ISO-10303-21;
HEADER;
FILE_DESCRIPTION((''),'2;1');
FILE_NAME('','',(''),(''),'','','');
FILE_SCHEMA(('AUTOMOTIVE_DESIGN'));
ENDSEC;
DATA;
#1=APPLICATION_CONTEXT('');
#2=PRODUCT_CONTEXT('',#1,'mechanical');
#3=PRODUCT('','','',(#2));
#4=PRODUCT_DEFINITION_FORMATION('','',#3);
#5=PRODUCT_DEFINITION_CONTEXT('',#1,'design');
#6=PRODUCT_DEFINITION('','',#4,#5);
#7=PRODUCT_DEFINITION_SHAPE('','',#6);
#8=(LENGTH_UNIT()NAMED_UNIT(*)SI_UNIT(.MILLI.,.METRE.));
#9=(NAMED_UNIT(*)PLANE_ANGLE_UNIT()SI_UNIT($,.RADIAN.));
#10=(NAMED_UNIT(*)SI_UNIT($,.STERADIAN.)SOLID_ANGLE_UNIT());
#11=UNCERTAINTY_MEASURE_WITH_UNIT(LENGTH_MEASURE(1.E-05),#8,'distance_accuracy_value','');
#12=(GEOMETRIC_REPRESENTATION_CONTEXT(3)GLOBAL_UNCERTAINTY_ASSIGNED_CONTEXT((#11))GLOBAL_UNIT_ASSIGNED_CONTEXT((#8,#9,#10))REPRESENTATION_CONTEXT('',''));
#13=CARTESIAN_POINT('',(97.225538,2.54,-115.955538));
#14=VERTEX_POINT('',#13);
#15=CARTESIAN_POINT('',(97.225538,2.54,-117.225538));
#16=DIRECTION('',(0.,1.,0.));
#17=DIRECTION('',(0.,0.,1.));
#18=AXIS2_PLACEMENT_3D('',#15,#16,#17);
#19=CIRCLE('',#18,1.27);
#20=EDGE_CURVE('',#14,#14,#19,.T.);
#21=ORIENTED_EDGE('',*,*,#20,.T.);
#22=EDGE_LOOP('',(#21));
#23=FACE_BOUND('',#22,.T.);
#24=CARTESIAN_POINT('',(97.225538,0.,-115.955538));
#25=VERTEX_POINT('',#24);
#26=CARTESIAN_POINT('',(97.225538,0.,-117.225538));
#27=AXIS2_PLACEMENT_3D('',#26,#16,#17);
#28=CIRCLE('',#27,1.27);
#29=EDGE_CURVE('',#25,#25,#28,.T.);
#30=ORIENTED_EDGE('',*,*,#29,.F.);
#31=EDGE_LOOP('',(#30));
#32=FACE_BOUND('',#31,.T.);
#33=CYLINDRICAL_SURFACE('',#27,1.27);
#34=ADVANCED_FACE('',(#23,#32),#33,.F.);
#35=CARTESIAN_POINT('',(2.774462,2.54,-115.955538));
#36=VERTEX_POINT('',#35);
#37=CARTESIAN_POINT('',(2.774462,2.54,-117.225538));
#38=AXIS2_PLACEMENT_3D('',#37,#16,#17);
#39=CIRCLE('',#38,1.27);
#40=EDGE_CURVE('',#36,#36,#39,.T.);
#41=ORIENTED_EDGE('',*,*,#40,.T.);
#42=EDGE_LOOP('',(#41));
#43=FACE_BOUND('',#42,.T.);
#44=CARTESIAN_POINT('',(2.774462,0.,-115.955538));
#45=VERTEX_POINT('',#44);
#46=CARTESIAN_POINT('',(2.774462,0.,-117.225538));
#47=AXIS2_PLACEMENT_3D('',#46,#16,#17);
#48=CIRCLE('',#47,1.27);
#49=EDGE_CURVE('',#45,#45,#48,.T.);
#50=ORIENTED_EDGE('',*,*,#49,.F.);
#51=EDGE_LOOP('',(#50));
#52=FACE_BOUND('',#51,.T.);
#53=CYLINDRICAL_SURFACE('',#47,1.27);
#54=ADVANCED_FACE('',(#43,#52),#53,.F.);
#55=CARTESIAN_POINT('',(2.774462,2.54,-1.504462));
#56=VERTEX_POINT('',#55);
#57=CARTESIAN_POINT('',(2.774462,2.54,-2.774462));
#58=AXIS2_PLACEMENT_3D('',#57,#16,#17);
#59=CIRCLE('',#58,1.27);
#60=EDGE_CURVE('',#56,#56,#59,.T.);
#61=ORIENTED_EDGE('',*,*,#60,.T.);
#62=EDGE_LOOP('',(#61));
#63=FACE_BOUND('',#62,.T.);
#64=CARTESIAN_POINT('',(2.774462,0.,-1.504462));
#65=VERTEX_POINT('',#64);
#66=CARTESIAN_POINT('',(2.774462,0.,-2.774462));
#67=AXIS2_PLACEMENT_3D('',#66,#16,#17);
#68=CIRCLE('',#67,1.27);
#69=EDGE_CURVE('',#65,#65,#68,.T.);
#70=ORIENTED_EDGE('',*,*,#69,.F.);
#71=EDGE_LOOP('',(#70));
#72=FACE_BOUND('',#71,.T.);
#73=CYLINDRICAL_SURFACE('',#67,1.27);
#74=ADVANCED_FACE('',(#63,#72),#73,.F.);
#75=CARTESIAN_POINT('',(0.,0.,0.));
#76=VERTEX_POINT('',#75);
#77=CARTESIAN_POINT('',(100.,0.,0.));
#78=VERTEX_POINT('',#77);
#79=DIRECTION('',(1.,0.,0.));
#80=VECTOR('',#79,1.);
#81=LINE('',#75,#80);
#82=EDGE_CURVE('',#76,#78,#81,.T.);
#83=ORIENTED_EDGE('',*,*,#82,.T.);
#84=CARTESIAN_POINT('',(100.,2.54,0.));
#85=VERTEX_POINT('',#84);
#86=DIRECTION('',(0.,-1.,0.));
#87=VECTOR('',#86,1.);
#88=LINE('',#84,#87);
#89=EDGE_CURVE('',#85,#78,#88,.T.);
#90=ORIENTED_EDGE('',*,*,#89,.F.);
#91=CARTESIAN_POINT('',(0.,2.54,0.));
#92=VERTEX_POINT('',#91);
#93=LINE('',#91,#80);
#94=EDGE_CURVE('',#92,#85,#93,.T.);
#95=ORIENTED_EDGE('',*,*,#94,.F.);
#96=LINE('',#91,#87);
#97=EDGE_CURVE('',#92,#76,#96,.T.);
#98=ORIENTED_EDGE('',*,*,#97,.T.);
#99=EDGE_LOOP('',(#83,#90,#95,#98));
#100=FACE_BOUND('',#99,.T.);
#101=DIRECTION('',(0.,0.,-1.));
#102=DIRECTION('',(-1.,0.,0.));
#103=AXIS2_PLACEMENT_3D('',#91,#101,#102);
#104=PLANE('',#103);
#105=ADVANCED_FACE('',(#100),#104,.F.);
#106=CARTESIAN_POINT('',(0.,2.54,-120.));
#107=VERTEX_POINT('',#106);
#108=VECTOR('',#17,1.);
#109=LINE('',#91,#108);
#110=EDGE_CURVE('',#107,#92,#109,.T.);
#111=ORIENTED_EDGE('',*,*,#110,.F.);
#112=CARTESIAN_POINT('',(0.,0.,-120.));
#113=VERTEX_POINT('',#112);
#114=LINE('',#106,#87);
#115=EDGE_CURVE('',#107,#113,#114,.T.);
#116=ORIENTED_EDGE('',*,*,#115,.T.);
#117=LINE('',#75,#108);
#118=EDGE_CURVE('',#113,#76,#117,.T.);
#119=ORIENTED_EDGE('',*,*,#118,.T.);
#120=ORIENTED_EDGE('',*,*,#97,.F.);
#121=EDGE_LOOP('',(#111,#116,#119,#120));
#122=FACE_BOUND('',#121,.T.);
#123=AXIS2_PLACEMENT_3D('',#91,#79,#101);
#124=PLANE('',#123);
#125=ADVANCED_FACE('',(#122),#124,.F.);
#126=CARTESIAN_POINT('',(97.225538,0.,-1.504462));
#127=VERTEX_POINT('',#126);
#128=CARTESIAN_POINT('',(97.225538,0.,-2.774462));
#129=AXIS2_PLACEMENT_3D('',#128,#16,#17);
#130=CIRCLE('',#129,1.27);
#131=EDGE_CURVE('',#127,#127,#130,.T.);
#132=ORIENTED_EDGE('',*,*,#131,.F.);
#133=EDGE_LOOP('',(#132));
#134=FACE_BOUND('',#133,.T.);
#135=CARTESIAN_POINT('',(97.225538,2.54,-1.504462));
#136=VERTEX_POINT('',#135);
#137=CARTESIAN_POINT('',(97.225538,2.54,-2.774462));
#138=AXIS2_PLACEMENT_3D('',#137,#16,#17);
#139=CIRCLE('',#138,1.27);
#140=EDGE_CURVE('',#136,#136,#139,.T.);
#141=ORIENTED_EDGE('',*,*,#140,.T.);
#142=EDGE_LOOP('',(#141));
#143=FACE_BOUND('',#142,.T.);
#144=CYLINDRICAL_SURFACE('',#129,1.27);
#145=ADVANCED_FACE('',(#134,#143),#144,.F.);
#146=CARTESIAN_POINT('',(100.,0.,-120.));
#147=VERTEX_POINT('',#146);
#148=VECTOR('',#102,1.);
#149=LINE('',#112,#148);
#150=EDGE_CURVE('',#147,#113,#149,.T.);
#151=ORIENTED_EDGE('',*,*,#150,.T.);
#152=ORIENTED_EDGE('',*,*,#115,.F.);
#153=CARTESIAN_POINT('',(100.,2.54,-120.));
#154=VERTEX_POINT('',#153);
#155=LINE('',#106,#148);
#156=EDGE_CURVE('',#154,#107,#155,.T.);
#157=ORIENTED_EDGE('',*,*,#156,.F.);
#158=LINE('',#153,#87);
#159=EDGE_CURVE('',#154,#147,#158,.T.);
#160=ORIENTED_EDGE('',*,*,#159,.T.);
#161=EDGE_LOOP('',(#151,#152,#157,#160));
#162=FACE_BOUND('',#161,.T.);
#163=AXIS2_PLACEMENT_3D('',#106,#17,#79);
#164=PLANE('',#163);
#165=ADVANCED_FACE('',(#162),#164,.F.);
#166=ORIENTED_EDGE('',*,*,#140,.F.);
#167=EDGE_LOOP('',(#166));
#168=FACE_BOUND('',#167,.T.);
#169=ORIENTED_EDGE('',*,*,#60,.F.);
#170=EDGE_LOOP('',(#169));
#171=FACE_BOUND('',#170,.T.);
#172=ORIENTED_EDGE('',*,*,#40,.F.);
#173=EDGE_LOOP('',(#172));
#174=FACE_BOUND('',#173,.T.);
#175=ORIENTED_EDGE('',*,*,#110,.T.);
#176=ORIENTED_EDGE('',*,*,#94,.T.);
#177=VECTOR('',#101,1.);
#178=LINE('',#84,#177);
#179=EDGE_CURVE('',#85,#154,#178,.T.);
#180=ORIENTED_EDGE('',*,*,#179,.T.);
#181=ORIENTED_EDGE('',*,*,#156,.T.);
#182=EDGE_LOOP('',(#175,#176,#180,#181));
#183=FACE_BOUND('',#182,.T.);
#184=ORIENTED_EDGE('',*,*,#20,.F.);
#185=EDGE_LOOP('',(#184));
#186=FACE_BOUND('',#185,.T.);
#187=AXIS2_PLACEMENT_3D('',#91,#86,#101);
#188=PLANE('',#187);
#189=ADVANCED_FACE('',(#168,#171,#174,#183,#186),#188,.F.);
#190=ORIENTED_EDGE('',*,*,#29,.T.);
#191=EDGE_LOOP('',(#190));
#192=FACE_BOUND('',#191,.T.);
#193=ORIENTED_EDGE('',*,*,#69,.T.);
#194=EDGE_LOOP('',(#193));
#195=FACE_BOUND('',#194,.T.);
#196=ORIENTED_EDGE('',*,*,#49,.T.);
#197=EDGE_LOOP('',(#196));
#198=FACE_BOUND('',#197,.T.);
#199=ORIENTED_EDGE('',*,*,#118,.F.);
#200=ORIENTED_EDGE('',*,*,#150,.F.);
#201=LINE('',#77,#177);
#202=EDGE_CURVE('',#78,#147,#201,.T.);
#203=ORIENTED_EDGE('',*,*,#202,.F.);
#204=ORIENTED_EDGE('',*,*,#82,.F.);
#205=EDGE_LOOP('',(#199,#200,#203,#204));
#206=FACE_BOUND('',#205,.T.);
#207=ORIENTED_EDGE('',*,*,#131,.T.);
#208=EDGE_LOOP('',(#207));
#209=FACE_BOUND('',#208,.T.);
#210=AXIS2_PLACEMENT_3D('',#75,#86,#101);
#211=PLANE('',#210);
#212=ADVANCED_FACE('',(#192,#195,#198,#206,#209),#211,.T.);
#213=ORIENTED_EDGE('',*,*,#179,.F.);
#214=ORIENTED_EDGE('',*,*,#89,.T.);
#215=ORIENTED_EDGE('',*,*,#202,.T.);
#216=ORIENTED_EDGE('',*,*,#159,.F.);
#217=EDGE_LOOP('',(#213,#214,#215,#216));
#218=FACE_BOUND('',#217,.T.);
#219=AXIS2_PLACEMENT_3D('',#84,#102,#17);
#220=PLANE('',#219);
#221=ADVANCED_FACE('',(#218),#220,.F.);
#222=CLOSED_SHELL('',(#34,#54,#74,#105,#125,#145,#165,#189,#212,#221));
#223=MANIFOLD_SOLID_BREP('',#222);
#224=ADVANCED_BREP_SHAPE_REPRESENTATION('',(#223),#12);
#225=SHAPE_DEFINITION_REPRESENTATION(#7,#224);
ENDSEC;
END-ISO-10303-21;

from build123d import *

# Parameters (mm, degrees)
SKETCH1_W           = 100
SKETCH1_H           = 120
BOSS_EXTRUDE1_DEPTH = 2.54
SKETCH2_R           = 1.27
CUT_EXTRUDE1_DEPTH  = 3.54


with BuildPart() as part:
    # Sketch1 → Boss-Extrude1 (new body)
    with BuildSketch(Plane(origin=(0, 0, 0), x_dir=(1, 0, 0), z_dir=(0, 1, 0))):
        with Locations((50, 60)):
            Rectangle(SKETCH1_W, SKETCH1_H)
    extrude(amount=BOSS_EXTRUDE1_DEPTH)

    # Sketch2 → Cut-Extrude1 (cut, through all)
    with BuildSketch(Plane(origin=(0, 2.54, 0), x_dir=(1, 0, 0), z_dir=(0, 1, 0))):
        with Locations((2.774461538, 117.225538462)):
            Circle(SKETCH2_R)
        with Locations((97.225538462, 117.225538462)):
            Circle(SKETCH2_R)
        with Locations((97.225538462, 2.774461538)):
            Circle(SKETCH2_R)
        with Locations((2.774461538, 2.774461538)):
            Circle(SKETCH2_R)
    extrude(amount=-CUT_EXTRUDE1_DEPTH, mode=Mode.SUBTRACT)


solid = part.part
